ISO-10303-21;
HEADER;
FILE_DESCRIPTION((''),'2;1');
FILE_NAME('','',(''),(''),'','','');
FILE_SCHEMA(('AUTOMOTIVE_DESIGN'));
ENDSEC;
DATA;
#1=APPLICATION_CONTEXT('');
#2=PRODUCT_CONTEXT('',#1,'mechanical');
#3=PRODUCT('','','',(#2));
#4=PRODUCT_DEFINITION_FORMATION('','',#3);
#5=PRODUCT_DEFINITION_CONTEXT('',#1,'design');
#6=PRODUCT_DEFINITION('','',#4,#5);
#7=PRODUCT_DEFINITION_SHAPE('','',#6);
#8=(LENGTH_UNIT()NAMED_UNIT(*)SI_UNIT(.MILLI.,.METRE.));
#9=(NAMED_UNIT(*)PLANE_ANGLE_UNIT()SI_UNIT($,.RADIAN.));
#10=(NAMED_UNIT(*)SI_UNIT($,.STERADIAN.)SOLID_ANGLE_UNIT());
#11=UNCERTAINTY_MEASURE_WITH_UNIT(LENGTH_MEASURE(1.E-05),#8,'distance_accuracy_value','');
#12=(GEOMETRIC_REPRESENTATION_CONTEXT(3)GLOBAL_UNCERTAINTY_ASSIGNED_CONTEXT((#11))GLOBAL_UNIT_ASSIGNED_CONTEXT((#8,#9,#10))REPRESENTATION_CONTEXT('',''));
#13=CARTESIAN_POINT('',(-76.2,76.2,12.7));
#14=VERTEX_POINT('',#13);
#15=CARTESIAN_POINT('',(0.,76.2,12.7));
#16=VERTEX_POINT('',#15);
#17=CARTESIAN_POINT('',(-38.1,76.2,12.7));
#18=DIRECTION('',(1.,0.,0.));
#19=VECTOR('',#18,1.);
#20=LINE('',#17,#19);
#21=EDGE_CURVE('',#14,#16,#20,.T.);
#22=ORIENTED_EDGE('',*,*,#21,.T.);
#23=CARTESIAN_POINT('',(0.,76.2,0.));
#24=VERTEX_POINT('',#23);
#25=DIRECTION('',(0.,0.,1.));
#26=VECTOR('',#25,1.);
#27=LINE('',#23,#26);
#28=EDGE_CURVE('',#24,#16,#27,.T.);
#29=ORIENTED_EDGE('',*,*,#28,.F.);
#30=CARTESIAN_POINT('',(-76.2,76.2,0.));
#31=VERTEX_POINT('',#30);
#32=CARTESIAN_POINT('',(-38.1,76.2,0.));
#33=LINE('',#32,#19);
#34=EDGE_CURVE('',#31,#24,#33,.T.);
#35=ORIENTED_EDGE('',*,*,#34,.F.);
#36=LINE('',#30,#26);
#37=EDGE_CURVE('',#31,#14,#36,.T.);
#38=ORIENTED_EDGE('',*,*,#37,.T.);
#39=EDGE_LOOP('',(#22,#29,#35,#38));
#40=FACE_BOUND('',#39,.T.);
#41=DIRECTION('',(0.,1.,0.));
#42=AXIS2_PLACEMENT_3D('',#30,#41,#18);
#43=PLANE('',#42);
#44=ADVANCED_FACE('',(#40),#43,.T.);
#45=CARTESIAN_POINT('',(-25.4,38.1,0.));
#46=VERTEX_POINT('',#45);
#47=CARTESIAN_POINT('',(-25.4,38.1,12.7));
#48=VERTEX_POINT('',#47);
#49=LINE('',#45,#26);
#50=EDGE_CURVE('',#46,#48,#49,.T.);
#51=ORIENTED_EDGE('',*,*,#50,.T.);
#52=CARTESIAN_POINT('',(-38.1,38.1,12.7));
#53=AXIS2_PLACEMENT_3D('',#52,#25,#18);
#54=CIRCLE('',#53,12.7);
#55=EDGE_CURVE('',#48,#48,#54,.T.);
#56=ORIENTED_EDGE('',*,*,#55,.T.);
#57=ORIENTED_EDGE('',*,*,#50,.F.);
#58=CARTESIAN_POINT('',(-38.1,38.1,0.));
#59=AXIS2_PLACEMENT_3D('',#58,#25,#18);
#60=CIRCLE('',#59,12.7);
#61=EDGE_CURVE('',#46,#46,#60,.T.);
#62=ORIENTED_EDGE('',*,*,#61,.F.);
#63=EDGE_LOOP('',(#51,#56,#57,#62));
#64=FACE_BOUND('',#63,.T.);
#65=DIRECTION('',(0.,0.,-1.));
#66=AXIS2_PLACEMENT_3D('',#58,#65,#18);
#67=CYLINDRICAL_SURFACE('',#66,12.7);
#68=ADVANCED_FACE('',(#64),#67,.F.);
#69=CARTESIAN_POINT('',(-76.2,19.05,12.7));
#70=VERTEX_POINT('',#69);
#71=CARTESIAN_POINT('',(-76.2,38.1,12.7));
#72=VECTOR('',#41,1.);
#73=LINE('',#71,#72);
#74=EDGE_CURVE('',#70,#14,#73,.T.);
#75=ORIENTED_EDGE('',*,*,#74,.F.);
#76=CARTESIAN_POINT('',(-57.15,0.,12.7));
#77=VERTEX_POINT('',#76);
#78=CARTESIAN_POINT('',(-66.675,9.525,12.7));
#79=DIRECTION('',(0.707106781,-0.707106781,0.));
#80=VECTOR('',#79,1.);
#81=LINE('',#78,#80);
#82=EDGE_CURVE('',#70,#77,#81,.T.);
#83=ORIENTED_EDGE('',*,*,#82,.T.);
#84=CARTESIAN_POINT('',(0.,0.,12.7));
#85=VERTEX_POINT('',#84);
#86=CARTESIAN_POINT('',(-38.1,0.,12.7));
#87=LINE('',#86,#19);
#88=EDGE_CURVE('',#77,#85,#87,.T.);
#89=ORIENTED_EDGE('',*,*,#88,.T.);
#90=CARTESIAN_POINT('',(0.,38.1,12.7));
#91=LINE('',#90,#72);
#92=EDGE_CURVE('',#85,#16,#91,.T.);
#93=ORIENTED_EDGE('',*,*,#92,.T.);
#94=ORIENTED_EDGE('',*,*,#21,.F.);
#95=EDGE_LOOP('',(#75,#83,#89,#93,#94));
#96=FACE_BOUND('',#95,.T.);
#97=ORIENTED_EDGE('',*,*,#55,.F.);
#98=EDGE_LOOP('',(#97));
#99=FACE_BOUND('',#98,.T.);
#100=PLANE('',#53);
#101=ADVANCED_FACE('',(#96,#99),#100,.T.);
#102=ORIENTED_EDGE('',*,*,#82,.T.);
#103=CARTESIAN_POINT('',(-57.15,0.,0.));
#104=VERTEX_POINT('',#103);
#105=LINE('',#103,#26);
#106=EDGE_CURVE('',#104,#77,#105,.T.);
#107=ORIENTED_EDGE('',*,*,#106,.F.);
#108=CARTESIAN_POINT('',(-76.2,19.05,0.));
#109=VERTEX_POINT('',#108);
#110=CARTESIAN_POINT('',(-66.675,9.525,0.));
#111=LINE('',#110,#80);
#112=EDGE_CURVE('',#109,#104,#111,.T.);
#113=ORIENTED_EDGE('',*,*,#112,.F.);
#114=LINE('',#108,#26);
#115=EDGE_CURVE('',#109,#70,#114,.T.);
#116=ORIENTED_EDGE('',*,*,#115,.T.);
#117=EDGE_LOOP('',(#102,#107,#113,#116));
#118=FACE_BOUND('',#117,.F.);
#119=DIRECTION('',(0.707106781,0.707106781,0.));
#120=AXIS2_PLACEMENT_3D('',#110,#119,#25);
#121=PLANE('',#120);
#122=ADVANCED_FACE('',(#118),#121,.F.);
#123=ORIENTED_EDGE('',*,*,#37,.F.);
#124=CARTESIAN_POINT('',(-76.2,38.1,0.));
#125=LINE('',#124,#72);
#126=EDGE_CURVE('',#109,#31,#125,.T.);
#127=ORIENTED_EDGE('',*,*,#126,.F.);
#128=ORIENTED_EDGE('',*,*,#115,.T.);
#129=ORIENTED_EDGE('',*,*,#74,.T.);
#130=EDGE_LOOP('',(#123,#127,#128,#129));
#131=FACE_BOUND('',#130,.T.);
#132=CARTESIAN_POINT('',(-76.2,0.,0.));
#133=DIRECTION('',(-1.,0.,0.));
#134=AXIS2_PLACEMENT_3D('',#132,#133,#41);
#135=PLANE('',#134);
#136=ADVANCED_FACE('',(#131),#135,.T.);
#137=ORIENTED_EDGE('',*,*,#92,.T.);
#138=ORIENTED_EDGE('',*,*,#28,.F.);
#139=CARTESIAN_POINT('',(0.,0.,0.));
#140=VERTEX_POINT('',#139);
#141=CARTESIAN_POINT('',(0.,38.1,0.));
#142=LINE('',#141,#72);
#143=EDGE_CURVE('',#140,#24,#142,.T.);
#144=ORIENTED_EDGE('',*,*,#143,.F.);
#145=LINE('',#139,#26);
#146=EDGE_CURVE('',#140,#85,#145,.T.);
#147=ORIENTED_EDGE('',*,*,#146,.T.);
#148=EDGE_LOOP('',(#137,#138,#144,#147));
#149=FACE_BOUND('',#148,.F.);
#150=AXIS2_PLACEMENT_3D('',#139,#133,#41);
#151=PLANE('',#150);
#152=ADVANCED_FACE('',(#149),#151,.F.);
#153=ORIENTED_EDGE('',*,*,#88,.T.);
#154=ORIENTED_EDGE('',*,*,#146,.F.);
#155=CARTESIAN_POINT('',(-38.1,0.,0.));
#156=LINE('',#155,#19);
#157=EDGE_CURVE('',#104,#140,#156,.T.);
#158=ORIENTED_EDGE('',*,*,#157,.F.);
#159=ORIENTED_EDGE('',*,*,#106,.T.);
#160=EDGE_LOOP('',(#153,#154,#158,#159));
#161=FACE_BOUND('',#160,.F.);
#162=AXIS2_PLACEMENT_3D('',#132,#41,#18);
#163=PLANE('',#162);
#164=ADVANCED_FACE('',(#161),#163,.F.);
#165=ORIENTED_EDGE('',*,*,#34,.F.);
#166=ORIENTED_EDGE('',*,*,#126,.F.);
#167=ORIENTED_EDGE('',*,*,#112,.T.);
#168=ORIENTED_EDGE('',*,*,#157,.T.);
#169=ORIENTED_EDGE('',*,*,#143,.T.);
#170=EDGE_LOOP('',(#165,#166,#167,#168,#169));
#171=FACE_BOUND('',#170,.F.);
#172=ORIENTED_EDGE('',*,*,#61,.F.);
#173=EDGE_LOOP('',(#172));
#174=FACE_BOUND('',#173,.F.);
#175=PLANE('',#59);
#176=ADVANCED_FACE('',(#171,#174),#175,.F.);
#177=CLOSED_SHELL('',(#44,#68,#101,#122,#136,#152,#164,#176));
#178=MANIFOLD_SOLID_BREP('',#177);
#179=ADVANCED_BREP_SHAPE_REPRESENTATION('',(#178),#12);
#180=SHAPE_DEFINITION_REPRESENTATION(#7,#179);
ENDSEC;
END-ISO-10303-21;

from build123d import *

# Parameters (mm, degrees)
SKETCH1_W           = 76.2
SKETCH1_H           = 76.2
SKETCH1_R           = 12.7
BOSS_EXTRUDE1_DEPTH = 12.7
CHAMFER1_SIZE       = 19.05


with BuildPart() as part:
    # Sketch1 → Boss-Extrude1 (new body)
    with BuildSketch(Plane.XY):
        with Locations((-38.1, 38.1)):
            Rectangle(SKETCH1_W, SKETCH1_H)
        with Locations((-38.1, 38.1)):
            Circle(SKETCH1_R, mode=Mode.SUBTRACT)
    extrude(amount=BOSS_EXTRUDE1_DEPTH)

    # Chamfer1
    chamfer1_edges = [part.edges().sort_by_distance(p)[0] for p in [
        (-76.2, 0, 6.35),
    ]]
    chamfer(chamfer1_edges, length=CHAMFER1_SIZE)


solid = part.part
